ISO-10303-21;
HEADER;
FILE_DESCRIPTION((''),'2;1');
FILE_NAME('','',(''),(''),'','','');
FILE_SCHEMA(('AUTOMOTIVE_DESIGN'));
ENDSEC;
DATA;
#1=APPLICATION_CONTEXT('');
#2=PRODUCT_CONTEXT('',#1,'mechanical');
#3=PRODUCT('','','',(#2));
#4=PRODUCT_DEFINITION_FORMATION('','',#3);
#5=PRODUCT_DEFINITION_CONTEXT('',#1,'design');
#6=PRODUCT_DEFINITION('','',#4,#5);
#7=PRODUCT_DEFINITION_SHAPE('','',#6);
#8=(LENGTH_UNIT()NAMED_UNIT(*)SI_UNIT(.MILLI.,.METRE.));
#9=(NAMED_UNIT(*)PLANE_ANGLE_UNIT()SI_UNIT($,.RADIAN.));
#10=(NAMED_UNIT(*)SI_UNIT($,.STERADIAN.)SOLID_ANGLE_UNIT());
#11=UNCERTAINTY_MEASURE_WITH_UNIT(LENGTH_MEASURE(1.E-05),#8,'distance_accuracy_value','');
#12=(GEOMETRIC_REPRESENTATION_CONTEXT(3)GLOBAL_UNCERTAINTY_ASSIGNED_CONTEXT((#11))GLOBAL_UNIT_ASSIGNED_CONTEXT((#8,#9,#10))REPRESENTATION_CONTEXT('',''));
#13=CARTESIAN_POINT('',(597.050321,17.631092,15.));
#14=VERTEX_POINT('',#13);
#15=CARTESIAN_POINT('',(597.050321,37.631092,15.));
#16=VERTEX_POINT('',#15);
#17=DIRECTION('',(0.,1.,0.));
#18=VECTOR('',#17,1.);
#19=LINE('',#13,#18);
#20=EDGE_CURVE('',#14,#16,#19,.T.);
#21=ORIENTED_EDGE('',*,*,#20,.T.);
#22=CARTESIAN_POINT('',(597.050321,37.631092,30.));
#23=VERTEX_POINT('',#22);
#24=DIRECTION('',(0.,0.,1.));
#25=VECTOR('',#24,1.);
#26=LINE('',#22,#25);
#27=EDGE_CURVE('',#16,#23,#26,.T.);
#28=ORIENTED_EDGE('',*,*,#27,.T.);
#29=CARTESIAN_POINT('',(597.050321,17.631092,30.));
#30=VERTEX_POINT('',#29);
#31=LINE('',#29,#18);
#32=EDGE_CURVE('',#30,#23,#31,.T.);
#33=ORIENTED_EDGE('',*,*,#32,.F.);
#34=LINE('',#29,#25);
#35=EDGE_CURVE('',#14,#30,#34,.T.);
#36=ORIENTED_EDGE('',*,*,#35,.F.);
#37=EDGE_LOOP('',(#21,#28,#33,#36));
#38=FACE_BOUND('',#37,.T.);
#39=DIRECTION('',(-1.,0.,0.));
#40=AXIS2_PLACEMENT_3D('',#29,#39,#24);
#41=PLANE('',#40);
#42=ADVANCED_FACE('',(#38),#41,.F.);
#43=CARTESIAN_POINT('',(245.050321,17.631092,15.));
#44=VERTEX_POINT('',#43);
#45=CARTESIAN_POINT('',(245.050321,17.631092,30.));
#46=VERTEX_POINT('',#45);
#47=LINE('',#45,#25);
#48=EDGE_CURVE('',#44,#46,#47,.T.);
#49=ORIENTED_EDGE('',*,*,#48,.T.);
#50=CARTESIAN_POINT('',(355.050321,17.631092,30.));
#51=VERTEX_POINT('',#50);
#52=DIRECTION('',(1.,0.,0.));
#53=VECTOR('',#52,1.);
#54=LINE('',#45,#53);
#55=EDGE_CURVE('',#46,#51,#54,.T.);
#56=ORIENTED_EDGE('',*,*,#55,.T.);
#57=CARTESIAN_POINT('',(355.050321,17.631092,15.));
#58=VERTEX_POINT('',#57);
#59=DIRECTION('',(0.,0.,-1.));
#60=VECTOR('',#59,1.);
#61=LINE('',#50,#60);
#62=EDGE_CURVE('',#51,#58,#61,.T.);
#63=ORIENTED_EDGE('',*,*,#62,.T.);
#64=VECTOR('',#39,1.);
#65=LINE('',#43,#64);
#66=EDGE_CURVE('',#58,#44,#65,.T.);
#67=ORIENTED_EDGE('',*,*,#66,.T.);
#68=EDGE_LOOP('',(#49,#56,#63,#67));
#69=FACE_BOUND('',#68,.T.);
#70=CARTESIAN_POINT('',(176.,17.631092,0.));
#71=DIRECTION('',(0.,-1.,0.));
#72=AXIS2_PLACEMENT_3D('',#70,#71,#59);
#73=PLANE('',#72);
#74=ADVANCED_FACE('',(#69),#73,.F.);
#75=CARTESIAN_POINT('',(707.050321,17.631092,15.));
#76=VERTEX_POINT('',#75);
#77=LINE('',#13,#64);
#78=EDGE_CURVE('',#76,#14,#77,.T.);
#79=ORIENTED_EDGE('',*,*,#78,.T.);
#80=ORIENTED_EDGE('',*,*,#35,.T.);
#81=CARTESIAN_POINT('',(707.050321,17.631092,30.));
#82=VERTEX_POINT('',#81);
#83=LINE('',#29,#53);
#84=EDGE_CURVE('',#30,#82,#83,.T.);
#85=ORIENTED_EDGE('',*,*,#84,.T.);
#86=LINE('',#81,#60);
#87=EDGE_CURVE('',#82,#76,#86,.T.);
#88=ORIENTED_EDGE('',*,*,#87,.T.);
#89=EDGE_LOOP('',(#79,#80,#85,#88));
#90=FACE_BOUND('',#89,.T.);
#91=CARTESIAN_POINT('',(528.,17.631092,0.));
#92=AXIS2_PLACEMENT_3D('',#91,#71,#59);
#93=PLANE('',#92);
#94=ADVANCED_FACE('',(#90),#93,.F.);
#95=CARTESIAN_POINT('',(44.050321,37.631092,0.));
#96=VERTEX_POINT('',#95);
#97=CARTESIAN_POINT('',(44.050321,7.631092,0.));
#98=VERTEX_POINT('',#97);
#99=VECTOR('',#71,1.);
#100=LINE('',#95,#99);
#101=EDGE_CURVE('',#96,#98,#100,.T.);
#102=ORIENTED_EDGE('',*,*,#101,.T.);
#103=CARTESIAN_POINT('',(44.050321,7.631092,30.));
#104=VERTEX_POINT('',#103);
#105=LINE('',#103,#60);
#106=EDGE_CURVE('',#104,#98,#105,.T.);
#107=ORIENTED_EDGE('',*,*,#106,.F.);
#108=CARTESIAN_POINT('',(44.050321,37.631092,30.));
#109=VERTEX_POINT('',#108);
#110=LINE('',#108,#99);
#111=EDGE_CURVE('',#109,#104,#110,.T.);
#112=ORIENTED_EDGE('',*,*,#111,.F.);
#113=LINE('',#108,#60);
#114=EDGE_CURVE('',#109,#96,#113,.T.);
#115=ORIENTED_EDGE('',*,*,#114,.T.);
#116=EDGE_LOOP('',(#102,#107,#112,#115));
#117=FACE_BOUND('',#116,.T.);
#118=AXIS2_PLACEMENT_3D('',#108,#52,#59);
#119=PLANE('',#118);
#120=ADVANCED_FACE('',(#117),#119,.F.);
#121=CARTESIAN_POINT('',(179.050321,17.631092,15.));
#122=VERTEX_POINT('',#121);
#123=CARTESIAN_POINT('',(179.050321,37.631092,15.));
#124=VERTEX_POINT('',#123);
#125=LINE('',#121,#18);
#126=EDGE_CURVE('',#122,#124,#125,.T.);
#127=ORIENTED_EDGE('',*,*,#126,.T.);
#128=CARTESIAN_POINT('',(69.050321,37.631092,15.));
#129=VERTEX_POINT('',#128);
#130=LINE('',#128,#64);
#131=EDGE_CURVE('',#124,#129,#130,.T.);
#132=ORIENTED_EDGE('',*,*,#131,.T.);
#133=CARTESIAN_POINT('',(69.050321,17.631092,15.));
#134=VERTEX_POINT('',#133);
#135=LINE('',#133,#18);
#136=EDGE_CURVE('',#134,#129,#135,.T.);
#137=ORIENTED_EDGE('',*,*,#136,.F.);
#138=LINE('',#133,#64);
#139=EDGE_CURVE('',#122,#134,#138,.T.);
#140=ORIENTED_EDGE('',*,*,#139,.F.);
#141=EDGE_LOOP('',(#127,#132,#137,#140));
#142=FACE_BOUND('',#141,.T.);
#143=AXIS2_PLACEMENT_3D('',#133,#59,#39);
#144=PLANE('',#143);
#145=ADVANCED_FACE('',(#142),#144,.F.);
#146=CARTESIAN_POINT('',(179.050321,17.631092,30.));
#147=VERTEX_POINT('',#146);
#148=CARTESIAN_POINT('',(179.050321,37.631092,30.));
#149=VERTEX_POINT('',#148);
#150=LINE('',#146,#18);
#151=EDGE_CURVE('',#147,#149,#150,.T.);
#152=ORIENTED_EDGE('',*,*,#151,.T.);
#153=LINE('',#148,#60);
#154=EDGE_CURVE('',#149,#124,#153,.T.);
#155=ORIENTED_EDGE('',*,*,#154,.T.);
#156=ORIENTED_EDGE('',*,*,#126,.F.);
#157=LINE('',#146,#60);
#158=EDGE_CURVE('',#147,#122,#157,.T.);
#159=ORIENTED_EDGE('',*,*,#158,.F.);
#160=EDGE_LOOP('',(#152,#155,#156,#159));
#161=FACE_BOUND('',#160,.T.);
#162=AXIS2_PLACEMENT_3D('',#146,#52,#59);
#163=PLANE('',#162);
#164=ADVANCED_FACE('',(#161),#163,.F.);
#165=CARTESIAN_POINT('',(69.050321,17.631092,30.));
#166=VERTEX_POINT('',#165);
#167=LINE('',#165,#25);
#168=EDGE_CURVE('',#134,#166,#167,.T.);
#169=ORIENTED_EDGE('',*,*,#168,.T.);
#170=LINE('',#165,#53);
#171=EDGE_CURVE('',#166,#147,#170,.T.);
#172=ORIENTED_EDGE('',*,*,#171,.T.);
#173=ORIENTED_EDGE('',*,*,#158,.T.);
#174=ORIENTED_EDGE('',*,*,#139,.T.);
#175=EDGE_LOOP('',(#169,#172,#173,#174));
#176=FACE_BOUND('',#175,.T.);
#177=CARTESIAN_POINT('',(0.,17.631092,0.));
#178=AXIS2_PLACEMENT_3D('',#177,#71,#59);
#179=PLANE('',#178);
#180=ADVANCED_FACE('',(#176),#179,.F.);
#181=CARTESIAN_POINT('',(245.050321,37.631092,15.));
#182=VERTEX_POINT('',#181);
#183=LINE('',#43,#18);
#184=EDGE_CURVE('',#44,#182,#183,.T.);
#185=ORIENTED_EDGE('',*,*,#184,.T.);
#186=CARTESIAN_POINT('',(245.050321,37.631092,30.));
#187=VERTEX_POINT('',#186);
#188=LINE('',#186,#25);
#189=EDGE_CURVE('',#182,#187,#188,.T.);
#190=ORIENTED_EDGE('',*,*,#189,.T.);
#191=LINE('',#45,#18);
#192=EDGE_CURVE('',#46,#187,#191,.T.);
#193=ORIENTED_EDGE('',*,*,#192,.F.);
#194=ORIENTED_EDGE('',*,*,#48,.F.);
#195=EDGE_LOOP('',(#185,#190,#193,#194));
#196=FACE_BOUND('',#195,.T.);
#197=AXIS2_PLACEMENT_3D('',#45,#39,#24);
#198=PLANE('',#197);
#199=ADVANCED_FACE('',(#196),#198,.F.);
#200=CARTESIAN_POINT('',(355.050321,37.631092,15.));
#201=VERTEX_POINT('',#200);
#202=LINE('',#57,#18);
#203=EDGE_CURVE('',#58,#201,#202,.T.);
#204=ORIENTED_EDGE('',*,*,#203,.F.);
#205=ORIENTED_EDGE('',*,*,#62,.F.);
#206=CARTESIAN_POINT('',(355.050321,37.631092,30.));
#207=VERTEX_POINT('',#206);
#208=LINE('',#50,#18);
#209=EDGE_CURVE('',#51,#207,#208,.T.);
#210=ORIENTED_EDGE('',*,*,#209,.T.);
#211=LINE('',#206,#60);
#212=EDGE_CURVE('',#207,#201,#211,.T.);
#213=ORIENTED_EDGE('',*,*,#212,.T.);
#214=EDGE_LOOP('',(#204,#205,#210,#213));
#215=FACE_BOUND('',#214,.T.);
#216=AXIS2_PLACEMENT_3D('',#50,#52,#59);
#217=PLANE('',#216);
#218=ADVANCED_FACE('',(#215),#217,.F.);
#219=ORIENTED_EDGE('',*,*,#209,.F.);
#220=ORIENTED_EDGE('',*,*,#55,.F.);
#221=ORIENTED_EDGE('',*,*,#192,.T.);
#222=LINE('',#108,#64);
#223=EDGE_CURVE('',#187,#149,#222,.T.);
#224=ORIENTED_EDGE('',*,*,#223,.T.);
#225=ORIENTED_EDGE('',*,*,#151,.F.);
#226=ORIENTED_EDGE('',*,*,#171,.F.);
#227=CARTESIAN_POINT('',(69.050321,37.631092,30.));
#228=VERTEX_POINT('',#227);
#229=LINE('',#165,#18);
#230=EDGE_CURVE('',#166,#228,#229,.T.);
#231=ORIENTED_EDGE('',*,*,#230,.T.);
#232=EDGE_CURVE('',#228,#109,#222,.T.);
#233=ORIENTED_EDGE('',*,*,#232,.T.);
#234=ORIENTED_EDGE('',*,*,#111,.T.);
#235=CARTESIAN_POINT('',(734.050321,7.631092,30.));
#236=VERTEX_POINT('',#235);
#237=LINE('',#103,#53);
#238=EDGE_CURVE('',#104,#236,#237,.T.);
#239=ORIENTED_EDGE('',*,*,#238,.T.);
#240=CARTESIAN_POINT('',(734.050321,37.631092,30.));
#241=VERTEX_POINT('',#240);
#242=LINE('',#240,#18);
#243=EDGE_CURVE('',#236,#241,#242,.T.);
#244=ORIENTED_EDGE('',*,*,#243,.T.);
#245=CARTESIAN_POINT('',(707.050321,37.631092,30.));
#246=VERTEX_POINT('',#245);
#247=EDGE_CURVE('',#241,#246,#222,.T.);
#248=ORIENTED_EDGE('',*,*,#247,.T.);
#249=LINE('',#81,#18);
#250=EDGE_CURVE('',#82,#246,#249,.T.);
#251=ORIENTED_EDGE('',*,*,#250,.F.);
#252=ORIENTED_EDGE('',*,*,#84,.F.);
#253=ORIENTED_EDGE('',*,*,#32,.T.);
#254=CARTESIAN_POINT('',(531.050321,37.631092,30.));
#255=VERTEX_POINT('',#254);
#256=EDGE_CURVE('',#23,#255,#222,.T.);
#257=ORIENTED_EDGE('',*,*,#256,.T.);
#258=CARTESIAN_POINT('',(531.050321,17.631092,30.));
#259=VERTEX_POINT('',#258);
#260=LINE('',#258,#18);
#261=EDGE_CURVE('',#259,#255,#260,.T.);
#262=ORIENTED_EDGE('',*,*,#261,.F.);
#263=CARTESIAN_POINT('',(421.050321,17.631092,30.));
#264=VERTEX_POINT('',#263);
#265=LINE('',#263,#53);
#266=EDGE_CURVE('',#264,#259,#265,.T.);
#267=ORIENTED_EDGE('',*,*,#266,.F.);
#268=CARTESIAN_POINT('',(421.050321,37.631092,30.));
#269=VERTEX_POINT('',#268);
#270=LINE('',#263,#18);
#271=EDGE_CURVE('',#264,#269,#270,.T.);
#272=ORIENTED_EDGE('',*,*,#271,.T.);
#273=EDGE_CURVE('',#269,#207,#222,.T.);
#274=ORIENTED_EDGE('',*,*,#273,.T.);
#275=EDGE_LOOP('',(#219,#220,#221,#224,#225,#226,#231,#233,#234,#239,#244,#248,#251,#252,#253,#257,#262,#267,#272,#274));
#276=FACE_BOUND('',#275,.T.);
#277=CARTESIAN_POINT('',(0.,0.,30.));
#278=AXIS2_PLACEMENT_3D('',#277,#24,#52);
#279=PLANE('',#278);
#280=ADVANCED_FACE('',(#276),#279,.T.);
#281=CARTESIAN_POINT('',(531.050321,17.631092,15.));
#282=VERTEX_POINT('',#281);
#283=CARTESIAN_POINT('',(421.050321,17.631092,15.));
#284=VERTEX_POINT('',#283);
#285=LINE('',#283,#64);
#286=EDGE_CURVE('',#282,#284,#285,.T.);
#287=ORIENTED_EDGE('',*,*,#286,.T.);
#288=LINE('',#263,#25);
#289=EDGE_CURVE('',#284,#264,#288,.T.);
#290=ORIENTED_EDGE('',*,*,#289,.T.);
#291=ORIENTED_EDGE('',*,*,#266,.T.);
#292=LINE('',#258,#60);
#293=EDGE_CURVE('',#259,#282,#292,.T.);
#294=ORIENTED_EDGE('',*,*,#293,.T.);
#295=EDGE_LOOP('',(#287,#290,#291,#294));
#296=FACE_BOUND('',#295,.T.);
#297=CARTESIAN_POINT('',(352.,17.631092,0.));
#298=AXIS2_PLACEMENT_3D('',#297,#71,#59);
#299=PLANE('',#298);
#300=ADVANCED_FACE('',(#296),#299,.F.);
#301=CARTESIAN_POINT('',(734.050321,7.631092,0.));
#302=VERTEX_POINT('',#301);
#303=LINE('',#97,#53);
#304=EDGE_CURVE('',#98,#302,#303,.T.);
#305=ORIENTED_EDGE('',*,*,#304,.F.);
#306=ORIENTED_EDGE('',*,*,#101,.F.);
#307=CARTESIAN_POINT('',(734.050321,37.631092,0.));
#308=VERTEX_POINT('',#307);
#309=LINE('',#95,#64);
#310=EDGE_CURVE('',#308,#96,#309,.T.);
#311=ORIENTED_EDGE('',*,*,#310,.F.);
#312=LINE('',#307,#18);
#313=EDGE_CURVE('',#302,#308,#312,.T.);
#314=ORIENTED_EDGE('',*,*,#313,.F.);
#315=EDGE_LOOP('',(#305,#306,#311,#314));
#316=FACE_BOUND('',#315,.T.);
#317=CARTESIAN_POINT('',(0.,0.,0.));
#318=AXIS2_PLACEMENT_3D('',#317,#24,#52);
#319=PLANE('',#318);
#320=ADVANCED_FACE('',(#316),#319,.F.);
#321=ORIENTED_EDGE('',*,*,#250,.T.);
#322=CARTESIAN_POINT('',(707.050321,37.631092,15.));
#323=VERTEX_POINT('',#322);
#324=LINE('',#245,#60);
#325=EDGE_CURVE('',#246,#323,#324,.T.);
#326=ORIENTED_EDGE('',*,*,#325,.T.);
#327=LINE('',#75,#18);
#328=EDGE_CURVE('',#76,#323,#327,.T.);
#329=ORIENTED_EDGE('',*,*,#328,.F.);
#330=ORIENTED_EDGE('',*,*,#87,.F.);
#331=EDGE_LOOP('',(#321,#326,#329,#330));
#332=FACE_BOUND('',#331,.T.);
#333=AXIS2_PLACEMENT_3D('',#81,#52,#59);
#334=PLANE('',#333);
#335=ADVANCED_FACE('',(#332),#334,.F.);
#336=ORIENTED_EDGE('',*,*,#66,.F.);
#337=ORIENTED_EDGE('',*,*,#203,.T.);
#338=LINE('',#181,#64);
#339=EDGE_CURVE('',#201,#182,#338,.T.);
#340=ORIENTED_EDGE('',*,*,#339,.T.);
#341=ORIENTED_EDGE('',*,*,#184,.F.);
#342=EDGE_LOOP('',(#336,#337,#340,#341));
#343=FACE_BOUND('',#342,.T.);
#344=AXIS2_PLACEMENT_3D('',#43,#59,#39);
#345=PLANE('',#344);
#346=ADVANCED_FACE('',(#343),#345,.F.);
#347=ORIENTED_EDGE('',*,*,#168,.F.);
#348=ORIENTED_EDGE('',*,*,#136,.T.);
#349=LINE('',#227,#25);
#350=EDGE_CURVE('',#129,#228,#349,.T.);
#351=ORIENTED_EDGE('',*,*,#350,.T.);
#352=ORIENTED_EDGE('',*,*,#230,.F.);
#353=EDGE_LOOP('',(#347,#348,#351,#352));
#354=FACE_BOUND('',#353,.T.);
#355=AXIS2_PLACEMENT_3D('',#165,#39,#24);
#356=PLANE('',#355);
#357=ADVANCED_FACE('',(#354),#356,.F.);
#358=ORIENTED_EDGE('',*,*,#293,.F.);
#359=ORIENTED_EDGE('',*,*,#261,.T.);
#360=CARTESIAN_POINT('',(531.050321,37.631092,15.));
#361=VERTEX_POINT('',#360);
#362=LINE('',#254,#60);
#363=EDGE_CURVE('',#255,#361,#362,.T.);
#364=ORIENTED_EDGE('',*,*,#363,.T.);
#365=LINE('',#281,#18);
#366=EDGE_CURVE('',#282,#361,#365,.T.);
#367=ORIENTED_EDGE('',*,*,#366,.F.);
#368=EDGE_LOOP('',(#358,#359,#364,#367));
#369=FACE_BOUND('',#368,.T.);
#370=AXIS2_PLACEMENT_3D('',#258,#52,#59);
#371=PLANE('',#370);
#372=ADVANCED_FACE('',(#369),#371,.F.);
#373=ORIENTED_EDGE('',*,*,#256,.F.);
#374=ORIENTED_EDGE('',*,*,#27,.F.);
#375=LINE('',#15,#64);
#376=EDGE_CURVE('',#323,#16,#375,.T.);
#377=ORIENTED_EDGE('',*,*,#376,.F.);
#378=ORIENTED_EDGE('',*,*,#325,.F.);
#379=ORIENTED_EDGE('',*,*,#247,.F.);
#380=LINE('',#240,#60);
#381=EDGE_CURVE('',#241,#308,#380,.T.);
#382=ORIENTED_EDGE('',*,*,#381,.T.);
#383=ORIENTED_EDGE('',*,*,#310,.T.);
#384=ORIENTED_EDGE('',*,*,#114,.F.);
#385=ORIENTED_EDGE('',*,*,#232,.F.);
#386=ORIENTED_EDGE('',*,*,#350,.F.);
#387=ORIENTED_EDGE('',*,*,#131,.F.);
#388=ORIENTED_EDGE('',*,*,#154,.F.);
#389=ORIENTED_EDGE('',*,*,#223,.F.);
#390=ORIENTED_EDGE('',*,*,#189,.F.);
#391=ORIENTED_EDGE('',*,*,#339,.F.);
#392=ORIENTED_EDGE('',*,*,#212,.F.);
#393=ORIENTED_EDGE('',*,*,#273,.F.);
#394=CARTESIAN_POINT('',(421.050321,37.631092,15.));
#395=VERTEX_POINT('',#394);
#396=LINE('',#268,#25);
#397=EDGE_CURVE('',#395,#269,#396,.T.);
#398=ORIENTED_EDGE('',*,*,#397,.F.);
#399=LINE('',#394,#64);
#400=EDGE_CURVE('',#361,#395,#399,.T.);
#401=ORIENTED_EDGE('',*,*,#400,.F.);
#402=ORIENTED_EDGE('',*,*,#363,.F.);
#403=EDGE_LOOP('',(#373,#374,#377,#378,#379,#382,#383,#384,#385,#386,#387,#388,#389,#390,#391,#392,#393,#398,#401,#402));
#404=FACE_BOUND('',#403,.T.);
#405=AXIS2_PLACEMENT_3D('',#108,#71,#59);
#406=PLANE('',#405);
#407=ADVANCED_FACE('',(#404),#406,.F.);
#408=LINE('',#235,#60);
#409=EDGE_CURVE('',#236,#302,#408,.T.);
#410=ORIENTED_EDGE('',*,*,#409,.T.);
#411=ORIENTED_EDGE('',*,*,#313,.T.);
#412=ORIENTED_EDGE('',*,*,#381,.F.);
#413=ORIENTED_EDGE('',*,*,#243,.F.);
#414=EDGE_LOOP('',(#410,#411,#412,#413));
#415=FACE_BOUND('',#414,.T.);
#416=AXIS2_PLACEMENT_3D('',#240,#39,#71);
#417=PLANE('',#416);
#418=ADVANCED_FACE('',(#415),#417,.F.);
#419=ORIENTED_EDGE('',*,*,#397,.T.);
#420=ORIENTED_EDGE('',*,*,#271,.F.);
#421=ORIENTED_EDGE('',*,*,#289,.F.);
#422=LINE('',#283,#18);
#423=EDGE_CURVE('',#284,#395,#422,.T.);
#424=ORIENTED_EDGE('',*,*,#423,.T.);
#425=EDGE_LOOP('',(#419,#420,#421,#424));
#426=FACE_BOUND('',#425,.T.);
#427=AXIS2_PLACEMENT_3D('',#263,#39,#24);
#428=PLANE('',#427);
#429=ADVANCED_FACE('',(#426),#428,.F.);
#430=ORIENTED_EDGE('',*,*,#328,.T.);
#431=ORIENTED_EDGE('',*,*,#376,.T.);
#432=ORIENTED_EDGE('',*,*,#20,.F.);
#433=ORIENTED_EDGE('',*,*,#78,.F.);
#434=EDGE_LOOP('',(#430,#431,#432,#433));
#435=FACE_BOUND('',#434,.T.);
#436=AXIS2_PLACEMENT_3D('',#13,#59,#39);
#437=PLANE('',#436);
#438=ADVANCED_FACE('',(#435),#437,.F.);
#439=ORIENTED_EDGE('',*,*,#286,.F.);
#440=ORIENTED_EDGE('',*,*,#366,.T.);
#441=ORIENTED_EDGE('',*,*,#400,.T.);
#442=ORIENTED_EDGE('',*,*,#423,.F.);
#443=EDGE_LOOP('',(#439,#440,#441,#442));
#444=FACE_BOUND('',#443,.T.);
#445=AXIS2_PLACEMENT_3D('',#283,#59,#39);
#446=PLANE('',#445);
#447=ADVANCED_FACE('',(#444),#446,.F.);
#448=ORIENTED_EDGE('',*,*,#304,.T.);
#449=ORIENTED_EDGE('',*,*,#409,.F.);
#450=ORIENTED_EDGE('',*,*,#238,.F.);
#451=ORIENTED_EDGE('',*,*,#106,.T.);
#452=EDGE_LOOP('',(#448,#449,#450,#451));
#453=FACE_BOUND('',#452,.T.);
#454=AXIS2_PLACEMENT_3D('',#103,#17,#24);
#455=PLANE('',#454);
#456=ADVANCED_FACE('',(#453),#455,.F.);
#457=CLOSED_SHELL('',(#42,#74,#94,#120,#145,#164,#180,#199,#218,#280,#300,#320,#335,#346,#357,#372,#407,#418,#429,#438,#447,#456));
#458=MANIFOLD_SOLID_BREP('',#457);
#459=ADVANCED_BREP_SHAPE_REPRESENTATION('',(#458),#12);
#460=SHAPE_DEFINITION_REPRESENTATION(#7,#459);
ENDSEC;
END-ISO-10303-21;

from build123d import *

# Parameters (mm, degrees)
SKETCH_1_W             = 690
SKETCH_1_H             = 30
EXTRUDE_1_DEPTH        = 30
SKETCH_2_W             = 110
SKETCH_2_H             = 15
CUT_EXTRUDE_1_DEPTH    = 20
PATTERN_LINEAR_1_COUNT = 4
PATTERN_LINEAR_1_PITCH = 176


with BuildPart() as part:
    # Эскиз1 → Бобышка-Вытянуть1 (new body)
    with BuildSketch(Plane.XY):
        with Locations((389.050320868, 22.631091658)):
            Rectangle(SKETCH_1_W, SKETCH_1_H)
    extrude(amount=EXTRUDE_1_DEPTH)

    # Эскиз2 → Вырез-Вытянуть1 (cut)
    with BuildSketch(Plane(origin=(0, 37.631091658, 0), x_dir=(1, 0, 0), z_dir=(0, 1, 0))):
        with Locations((124.050320868, -22.5)):
            Rectangle(SKETCH_2_W, SKETCH_2_H)
    cut_extrude_1 = extrude(amount=-CUT_EXTRUDE_1_DEPTH, mode=Mode.SUBTRACT)

    # Линейный массив1: Вырез-Вытянуть1 ×4
    with Locations(*[(i * PATTERN_LINEAR_1_PITCH, 0, 0) for i in range(1, PATTERN_LINEAR_1_COUNT)]):
        add(cut_extrude_1, mode=Mode.SUBTRACT)


solid = part.part
